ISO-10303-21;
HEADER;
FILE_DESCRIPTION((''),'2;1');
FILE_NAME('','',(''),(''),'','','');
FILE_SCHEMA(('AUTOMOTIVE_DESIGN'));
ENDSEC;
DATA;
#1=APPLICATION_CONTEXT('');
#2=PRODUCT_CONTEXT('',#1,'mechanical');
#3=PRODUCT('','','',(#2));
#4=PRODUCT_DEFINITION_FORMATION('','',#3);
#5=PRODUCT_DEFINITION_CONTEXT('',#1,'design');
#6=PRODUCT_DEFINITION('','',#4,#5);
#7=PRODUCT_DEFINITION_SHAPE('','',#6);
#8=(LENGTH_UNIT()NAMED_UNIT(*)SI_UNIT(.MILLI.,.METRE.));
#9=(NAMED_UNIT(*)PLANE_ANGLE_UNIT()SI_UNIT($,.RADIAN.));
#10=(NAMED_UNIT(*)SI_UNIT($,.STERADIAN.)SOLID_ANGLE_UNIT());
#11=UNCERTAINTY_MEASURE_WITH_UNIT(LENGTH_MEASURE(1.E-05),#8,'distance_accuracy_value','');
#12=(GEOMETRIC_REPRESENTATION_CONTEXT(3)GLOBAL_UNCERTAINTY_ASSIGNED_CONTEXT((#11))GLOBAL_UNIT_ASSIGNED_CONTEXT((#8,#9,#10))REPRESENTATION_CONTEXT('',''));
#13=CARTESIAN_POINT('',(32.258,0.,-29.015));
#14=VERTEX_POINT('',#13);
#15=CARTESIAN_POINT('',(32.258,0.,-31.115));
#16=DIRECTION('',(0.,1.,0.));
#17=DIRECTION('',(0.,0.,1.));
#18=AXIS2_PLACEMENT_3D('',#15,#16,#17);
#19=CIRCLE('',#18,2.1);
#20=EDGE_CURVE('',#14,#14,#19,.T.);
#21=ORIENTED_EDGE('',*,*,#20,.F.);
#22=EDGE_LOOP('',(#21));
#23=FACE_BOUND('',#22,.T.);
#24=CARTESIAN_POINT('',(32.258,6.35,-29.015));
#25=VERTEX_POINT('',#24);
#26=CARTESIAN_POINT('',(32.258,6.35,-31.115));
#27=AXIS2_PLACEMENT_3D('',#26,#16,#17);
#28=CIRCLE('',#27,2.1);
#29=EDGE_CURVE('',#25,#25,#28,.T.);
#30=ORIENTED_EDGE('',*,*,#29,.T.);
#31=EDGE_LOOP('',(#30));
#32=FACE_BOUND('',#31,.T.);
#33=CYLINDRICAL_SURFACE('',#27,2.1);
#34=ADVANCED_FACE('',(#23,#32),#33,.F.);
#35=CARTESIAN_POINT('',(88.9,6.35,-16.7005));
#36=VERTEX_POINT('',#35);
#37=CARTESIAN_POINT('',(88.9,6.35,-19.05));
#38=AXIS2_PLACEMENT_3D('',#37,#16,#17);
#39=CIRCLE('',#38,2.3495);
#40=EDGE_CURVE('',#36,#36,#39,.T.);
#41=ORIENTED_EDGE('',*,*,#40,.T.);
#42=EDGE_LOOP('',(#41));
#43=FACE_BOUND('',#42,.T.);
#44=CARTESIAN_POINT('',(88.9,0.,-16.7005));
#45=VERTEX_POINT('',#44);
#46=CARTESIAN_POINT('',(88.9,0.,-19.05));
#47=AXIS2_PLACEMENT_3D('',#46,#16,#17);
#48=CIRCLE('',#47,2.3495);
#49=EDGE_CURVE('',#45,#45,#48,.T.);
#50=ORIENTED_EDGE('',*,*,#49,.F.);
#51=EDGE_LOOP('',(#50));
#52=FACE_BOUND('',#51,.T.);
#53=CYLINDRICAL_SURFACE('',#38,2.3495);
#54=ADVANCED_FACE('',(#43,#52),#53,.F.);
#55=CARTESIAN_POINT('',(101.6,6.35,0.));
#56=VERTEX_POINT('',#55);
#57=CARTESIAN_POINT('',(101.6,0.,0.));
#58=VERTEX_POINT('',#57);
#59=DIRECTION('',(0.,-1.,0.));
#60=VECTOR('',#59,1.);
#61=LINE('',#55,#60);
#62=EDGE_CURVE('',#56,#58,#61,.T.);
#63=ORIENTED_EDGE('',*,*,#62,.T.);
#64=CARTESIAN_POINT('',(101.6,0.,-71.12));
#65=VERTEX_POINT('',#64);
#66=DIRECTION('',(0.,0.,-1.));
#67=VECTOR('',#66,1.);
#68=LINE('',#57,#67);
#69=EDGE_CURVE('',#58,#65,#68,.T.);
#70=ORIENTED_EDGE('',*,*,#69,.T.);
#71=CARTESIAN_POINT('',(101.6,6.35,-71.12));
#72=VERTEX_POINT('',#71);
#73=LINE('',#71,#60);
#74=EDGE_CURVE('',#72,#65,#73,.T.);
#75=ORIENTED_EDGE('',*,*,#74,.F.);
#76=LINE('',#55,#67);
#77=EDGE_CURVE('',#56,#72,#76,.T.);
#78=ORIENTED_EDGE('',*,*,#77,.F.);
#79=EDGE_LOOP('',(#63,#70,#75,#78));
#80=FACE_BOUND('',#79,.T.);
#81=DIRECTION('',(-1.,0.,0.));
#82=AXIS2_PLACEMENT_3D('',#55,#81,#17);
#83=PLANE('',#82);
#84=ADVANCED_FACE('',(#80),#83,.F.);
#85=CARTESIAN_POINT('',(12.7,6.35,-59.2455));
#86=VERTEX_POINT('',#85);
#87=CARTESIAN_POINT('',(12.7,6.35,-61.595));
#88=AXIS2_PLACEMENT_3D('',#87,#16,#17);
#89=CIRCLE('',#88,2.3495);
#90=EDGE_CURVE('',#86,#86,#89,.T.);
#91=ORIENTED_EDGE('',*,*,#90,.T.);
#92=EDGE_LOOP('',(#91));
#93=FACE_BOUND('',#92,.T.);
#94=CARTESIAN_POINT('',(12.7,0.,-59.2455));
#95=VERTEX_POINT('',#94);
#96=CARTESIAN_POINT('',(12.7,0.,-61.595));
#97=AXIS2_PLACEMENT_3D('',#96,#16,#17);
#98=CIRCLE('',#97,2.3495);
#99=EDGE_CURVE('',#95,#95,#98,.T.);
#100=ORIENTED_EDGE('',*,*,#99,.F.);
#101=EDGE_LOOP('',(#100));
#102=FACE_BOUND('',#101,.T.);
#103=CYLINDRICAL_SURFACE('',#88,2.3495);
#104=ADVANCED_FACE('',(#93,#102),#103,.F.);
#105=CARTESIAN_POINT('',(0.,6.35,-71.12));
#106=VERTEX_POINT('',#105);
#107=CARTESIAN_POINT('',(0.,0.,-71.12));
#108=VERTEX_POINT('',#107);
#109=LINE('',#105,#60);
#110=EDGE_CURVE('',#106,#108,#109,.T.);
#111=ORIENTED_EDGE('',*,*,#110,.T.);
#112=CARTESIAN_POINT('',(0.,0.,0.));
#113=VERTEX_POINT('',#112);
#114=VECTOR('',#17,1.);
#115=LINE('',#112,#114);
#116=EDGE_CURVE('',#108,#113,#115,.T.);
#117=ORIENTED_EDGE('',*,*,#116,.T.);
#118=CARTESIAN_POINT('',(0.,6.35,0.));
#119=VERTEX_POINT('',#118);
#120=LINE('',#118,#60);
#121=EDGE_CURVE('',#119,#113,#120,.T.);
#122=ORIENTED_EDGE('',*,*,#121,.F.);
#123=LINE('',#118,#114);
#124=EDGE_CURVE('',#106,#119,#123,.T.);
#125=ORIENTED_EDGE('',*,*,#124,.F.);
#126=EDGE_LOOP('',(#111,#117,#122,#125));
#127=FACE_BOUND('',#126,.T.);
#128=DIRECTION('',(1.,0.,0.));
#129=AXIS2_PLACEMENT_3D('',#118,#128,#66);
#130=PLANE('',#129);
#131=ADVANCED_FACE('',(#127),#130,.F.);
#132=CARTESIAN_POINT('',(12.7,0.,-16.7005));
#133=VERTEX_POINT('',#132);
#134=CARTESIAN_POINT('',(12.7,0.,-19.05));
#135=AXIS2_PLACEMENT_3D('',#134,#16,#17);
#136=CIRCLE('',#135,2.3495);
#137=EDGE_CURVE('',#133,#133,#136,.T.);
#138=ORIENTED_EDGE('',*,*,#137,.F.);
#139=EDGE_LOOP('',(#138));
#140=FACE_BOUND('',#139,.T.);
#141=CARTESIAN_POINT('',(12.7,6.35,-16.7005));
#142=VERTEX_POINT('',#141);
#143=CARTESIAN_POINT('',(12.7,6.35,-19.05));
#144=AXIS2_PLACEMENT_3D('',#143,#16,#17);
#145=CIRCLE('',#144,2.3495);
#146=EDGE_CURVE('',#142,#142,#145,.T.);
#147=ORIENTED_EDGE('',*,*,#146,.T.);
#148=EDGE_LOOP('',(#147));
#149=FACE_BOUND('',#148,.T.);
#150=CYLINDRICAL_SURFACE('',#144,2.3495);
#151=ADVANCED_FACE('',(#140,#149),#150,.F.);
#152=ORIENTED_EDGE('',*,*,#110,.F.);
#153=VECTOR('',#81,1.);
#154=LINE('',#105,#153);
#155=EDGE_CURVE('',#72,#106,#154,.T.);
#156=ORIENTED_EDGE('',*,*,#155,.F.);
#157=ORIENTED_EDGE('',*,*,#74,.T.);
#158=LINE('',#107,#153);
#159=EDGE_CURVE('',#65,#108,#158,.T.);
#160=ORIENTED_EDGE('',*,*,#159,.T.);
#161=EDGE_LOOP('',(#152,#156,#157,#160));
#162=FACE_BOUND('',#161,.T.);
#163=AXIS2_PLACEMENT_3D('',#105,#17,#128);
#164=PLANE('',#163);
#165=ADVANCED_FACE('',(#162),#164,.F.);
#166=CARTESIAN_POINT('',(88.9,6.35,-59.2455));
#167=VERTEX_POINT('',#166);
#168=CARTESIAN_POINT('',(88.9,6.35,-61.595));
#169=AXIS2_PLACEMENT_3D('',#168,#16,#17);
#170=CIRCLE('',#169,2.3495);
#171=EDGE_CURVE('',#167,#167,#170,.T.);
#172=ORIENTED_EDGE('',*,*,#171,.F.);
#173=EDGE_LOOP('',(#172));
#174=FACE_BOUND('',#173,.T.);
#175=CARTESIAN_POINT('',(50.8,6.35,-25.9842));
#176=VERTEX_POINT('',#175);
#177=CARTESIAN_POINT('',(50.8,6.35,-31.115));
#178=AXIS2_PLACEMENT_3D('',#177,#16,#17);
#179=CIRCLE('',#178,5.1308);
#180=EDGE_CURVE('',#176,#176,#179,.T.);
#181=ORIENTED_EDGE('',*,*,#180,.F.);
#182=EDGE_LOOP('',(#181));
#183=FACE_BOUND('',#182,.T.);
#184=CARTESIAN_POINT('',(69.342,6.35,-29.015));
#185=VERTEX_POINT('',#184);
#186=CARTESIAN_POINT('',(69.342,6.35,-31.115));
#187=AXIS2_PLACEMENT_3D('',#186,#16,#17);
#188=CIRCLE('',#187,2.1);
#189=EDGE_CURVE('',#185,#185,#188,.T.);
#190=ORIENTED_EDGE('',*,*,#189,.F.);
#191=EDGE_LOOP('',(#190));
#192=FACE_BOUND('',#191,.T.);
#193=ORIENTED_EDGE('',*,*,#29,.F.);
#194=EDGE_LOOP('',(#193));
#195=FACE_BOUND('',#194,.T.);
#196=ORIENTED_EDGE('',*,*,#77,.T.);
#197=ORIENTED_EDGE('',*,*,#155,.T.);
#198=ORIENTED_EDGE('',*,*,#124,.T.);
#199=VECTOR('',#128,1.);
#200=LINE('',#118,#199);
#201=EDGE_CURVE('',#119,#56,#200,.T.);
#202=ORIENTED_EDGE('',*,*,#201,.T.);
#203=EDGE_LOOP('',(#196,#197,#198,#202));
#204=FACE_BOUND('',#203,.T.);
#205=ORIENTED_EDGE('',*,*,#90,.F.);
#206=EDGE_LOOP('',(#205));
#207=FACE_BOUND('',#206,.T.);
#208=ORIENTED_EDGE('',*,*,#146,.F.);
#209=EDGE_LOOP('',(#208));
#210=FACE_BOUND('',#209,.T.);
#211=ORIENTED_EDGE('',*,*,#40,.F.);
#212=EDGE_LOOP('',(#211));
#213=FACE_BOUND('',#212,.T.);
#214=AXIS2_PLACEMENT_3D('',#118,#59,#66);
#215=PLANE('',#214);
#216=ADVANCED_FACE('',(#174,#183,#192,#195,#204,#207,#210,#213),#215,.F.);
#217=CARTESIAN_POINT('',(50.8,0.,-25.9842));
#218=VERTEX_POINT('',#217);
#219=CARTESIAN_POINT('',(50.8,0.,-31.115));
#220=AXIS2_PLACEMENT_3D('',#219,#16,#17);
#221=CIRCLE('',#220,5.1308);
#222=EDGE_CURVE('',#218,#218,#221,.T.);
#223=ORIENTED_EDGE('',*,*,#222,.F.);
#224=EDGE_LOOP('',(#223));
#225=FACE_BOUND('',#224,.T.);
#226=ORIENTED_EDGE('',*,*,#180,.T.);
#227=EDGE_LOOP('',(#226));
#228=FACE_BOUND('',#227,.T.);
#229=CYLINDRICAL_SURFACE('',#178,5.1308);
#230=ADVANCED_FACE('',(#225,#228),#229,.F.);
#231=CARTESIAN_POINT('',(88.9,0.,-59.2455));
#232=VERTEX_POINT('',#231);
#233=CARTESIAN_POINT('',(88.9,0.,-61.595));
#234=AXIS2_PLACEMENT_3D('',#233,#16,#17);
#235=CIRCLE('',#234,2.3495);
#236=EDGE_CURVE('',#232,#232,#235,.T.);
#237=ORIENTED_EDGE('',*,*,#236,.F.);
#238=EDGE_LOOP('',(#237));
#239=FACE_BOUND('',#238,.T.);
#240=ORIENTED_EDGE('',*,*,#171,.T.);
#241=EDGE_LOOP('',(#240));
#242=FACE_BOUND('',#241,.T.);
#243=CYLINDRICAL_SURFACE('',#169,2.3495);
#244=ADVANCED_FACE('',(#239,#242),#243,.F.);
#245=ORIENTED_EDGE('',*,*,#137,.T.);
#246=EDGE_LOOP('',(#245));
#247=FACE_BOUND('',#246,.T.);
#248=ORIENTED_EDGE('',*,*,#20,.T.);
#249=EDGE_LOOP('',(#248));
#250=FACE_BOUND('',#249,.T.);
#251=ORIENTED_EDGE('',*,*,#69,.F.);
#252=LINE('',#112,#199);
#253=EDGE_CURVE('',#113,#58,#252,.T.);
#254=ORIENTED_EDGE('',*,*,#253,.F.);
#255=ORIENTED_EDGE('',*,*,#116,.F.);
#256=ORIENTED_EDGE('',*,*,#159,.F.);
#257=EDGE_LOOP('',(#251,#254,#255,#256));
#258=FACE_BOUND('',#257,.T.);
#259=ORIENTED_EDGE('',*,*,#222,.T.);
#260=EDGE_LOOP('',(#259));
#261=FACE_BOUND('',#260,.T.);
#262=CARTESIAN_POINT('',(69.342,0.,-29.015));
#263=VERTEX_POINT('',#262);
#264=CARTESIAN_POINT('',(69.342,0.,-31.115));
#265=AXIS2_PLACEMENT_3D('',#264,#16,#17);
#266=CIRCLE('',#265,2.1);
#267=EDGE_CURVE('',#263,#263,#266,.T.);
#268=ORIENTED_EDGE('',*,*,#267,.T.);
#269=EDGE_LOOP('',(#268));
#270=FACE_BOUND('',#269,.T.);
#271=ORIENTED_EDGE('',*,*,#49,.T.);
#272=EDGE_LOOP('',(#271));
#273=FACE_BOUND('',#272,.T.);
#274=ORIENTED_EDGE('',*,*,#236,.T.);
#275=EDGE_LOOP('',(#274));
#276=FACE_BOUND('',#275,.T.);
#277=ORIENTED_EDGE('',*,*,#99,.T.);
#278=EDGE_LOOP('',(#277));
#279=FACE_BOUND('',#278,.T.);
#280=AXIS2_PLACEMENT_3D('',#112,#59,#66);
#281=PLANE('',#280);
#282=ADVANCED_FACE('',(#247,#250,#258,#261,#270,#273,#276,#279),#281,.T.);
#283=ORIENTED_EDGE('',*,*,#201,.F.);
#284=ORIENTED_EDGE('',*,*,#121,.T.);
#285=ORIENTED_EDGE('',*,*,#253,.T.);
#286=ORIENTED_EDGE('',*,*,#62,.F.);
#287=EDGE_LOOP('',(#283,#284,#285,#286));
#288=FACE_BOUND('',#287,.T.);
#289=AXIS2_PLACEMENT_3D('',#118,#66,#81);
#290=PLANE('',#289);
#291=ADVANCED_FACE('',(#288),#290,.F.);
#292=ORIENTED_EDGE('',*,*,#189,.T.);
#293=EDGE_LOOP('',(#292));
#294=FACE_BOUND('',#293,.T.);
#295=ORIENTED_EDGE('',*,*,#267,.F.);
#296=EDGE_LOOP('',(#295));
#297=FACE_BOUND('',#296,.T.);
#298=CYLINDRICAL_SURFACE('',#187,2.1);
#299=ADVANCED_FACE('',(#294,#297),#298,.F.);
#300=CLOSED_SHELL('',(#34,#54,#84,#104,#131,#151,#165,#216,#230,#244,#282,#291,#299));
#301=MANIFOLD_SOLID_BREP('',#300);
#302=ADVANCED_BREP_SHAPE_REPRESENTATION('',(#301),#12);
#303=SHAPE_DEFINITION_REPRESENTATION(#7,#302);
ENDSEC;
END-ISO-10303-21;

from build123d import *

# Parameters (mm, degrees)
SKETCH1_W                       = 101.6
SKETCH1_H                       = 71.12
BASE_DEPTH                      = 6.35
WOODSCREW_CLEARANCE_HOLES_D     = 4.699
WOODSCREW_CLEARANCE_HOLES_DEPTH = 6.35
WOODSCREW_CLEARANCE_HOLES_TIP   = 1.411722024
SHAFT_CLEARANCE_HOLE_D          = 10.2616
SHAFT_CLEARANCE_HOLE_DEPTH      = 6.35
SHAFT_CLEARANCE_HOLE_TIP        = 3.082895664
M5X0_8_TAPPED_HOLE1_D           = 4.2


with BuildPart() as part:
    # Sketch1 → base (new body)
    with BuildSketch(Plane(origin=(0, 0, 0), x_dir=(1, 0, 0), z_dir=(0, 1, 0))):
        with Locations((50.8, 35.56)):
            Rectangle(SKETCH1_W, SKETCH1_H)
    extrude(amount=BASE_DEPTH)

    # woodscrew clearance holes
    with Locations(Plane(origin=(0, 6.35, 0), x_dir=(1, 0, 0), z_dir=(0, 1, 0))):
        with Locations((12.7, 61.595), (88.9, 61.595), (88.9, 19.05), (12.7, 19.05)):
            Hole(WOODSCREW_CLEARANCE_HOLES_D / 2, depth=WOODSCREW_CLEARANCE_HOLES_DEPTH)
            with Locations((0, 0, -(WOODSCREW_CLEARANCE_HOLES_DEPTH + WOODSCREW_CLEARANCE_HOLES_TIP / 2))):  # 118° drill point
                Cone(0, WOODSCREW_CLEARANCE_HOLES_D / 2, WOODSCREW_CLEARANCE_HOLES_TIP, mode=Mode.SUBTRACT)

    # shaft clearance hole
    with Locations(Plane(origin=(0, 6.35, 0), x_dir=(1, 0, 0), z_dir=(0, 1, 0))):
        with Locations((50.8, 31.115)):
            Hole(SHAFT_CLEARANCE_HOLE_D / 2, depth=SHAFT_CLEARANCE_HOLE_DEPTH)
            with Locations((0, 0, -(SHAFT_CLEARANCE_HOLE_DEPTH + SHAFT_CLEARANCE_HOLE_TIP / 2))):  # 118° drill point
                Cone(0, SHAFT_CLEARANCE_HOLE_D / 2, SHAFT_CLEARANCE_HOLE_TIP, mode=Mode.SUBTRACT)

    # M5x0.8 Tapped Hole1 (through all)
    with Locations(Plane(origin=(0, 6.35, 0), x_dir=(1, 0, 0), z_dir=(0, 1, 0))):
        with Locations((32.258, 31.115), (69.342, 31.115)):
            Hole(M5X0_8_TAPPED_HOLE1_D / 2)


solid = part.part
